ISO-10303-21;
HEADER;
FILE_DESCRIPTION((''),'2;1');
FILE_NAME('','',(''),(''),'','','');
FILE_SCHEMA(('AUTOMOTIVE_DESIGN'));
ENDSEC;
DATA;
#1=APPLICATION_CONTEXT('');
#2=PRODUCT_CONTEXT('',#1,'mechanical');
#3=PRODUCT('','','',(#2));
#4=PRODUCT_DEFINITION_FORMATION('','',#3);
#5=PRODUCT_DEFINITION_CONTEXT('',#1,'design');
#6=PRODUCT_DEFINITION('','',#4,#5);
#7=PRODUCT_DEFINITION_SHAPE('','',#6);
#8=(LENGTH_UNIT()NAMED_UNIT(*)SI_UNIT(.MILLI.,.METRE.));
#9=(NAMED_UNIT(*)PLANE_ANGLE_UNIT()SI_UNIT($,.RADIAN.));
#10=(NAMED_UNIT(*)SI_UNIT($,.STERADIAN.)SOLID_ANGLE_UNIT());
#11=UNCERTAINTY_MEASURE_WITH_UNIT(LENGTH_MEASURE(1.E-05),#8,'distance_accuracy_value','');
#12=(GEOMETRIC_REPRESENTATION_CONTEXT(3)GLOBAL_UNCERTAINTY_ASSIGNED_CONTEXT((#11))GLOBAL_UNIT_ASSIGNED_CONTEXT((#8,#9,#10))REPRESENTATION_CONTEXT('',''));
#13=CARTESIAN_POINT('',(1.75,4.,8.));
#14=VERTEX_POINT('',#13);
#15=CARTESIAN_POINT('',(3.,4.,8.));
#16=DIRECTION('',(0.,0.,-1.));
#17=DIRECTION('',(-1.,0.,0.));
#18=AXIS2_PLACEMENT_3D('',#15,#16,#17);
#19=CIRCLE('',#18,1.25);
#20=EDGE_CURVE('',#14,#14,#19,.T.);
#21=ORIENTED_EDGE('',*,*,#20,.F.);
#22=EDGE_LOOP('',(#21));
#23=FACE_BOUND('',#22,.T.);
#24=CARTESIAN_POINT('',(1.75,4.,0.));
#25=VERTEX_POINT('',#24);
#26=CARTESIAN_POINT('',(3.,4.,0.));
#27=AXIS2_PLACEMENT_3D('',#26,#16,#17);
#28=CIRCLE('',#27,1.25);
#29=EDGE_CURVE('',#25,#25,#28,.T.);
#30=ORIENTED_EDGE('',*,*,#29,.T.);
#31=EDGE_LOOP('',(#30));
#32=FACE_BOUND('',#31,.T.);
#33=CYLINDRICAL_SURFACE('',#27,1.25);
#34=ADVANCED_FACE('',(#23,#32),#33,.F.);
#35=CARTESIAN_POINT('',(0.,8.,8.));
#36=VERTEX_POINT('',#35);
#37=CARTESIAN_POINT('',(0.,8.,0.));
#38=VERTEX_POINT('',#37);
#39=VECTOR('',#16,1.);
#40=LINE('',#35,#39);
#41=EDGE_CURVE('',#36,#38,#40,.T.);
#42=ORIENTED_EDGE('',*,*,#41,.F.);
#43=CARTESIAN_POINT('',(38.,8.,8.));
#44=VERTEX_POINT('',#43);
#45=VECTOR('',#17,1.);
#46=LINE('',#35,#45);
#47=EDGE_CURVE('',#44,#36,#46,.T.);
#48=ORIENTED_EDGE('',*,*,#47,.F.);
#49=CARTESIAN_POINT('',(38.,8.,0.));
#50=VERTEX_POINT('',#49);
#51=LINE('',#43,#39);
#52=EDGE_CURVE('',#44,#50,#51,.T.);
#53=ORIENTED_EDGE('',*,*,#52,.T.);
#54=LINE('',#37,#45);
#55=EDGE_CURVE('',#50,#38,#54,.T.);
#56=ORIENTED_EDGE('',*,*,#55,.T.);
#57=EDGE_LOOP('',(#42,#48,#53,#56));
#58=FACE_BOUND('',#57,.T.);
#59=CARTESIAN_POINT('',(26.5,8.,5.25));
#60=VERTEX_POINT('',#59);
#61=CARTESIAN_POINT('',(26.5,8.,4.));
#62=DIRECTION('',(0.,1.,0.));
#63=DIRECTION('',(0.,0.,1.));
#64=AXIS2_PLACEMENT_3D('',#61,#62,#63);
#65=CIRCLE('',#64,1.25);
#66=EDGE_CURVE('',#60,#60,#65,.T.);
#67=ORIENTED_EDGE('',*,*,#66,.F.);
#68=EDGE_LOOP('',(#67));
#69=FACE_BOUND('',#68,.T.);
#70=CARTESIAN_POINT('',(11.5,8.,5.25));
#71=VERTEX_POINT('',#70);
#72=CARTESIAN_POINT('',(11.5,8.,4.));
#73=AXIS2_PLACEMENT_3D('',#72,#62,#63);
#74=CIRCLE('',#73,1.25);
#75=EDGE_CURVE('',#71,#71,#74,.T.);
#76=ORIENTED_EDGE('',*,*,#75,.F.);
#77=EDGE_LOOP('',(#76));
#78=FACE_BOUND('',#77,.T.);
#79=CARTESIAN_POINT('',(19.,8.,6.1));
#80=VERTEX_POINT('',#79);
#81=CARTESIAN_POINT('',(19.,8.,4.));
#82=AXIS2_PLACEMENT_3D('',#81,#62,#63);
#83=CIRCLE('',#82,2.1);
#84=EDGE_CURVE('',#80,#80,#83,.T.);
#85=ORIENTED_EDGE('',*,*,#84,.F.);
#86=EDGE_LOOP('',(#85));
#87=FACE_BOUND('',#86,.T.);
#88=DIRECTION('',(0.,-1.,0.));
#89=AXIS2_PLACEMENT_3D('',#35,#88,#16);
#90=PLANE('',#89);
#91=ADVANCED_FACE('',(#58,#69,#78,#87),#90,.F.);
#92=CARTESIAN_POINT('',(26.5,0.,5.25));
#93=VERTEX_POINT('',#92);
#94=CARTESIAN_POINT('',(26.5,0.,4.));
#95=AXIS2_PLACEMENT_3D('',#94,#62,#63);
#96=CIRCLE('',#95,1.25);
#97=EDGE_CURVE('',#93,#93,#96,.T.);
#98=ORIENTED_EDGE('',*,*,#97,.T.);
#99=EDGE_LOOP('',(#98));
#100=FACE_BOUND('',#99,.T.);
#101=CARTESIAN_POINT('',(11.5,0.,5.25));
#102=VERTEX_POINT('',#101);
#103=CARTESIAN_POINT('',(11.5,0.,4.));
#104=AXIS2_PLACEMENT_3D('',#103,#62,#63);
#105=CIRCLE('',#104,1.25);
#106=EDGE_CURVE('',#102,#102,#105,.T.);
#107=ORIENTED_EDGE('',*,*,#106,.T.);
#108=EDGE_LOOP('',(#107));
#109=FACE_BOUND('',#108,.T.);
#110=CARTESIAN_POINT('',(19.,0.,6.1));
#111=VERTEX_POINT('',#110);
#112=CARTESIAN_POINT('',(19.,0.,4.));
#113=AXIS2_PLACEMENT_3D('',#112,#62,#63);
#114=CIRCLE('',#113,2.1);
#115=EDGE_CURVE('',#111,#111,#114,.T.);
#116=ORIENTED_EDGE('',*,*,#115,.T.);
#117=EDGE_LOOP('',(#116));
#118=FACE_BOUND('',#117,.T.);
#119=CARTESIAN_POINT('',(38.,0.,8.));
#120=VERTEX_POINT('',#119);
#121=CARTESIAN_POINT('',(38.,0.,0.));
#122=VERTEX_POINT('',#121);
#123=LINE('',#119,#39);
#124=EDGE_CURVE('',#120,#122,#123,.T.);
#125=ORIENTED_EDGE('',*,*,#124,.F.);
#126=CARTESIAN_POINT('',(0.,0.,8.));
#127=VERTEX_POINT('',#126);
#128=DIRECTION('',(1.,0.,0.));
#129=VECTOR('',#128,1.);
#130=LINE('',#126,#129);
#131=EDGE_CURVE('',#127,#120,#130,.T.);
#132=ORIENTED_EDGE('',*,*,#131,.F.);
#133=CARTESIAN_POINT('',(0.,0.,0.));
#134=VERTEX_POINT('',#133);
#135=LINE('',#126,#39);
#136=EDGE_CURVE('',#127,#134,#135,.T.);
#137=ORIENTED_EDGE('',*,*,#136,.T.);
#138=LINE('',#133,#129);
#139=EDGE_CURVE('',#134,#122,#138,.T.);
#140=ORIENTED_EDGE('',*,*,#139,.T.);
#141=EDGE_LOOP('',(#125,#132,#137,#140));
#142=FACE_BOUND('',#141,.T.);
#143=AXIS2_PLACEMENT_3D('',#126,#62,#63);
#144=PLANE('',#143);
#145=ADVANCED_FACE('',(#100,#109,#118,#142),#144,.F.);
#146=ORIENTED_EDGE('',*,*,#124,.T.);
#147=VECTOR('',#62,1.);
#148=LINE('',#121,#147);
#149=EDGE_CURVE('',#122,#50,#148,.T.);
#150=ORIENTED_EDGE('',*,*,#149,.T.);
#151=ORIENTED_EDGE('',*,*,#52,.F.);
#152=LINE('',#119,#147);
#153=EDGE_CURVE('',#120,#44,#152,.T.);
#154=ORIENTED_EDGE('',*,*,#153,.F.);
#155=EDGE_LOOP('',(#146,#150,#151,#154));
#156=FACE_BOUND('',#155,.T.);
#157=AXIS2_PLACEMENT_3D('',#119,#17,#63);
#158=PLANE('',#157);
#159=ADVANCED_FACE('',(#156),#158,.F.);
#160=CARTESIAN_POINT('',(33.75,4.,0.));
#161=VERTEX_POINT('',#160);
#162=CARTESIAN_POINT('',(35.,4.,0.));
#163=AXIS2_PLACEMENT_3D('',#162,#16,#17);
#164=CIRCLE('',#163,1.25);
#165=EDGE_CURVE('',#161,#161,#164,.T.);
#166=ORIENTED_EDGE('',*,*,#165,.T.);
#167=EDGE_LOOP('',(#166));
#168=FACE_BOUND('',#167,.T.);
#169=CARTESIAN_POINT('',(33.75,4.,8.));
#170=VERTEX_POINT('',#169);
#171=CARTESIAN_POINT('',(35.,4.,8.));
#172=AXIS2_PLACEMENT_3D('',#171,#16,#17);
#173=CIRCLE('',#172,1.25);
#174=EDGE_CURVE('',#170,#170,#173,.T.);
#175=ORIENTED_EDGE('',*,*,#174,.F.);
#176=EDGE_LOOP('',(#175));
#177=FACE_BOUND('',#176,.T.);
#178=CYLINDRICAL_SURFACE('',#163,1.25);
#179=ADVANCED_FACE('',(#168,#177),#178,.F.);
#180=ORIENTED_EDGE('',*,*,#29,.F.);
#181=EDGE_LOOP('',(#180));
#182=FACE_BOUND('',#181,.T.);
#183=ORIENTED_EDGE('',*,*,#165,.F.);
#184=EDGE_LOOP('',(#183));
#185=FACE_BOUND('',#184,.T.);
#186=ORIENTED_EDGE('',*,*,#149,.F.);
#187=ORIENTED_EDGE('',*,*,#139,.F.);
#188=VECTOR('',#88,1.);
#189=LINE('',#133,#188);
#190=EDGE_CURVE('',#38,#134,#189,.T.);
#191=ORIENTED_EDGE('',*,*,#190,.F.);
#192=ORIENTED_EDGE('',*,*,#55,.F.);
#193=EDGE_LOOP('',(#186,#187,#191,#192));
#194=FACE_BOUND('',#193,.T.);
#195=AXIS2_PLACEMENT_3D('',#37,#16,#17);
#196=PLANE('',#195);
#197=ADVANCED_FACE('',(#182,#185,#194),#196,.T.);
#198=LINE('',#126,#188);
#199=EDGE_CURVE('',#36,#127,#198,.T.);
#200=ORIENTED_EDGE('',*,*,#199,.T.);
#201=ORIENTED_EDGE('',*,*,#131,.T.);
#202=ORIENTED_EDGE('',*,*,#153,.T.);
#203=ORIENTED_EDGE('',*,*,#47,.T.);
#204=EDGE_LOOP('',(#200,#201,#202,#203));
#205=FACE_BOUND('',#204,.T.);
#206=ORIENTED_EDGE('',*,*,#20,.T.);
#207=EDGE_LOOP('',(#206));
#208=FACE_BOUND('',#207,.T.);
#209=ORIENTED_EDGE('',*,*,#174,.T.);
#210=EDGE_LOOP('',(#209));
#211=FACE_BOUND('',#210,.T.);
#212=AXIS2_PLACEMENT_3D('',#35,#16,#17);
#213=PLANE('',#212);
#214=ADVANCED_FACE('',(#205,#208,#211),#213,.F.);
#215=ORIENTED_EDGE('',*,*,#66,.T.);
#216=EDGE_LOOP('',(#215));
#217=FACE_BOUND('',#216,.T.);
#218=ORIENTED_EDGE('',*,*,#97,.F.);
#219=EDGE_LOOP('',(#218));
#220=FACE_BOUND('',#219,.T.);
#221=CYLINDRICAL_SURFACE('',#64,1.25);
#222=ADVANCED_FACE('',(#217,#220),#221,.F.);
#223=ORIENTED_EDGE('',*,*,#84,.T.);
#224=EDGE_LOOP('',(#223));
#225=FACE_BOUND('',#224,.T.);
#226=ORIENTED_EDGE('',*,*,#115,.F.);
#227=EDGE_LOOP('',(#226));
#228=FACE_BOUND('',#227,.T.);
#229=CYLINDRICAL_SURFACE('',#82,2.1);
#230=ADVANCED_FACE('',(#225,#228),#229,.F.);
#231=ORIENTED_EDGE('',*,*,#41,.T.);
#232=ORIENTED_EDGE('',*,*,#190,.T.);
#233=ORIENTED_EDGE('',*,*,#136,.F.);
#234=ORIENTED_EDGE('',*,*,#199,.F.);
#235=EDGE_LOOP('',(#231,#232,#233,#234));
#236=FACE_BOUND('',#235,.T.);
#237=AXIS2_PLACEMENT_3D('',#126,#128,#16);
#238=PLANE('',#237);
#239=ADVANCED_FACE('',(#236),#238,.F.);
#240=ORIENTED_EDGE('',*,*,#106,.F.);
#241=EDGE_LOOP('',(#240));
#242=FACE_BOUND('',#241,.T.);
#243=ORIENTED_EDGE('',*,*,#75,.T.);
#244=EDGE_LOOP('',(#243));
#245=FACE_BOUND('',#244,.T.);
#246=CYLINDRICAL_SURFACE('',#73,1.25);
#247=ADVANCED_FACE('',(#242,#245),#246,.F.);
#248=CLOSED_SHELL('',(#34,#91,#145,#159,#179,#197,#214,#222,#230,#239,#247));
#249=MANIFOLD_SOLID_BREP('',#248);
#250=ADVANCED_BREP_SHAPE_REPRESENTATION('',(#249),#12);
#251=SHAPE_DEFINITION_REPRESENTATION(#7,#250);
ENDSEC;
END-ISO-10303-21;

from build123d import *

# Parameters (mm, degrees)
SKETCH1_W                   = 38
SKETCH1_H                   = 8
BOSS_EXTRUDE1_DEPTH         = 8
TAP_DRILL_FOR_M5X0_8_TAP1_D = 4.2
TAP_DRILL_FOR_M3X0_5_TAP1_D = 2.5
TAP_DRILL_FOR_M3X0_5_TAP2_D = 2.5


with BuildPart() as part:
    # Sketch1 → Boss-Extrude1 (new body)
    with BuildSketch(Plane.XY):
        with Locations((19, 4)):
            Rectangle(SKETCH1_W, SKETCH1_H)
    extrude(amount=BOSS_EXTRUDE1_DEPTH)

    # Tap Drill for M5x0.8 Tap1 (through all)
    with Locations(Plane(origin=(0, 8, 0), x_dir=(-1, 0, 0), z_dir=(0, 1, 0))):
        with Locations((-19, 4)):
            Hole(TAP_DRILL_FOR_M5X0_8_TAP1_D / 2)

    # Tap Drill for M3x0.5 Tap1 (through all)
    with Locations(Plane(origin=(0, 0, 0), x_dir=(-1, 0, 0), z_dir=(0, 0, -1))):
        with Locations((-35, 4), (-3, 4)):
            Hole(TAP_DRILL_FOR_M3X0_5_TAP1_D / 2)

    # Tap Drill for M3x0.5 Tap2 (through all)
    with Locations(Plane(origin=(0, 8, 0), x_dir=(-1, 0, 0), z_dir=(0, 1, 0))):
        with Locations((-11.5, 4), (-26.5, 4)):
            Hole(TAP_DRILL_FOR_M3X0_5_TAP2_D / 2)


solid = part.part
